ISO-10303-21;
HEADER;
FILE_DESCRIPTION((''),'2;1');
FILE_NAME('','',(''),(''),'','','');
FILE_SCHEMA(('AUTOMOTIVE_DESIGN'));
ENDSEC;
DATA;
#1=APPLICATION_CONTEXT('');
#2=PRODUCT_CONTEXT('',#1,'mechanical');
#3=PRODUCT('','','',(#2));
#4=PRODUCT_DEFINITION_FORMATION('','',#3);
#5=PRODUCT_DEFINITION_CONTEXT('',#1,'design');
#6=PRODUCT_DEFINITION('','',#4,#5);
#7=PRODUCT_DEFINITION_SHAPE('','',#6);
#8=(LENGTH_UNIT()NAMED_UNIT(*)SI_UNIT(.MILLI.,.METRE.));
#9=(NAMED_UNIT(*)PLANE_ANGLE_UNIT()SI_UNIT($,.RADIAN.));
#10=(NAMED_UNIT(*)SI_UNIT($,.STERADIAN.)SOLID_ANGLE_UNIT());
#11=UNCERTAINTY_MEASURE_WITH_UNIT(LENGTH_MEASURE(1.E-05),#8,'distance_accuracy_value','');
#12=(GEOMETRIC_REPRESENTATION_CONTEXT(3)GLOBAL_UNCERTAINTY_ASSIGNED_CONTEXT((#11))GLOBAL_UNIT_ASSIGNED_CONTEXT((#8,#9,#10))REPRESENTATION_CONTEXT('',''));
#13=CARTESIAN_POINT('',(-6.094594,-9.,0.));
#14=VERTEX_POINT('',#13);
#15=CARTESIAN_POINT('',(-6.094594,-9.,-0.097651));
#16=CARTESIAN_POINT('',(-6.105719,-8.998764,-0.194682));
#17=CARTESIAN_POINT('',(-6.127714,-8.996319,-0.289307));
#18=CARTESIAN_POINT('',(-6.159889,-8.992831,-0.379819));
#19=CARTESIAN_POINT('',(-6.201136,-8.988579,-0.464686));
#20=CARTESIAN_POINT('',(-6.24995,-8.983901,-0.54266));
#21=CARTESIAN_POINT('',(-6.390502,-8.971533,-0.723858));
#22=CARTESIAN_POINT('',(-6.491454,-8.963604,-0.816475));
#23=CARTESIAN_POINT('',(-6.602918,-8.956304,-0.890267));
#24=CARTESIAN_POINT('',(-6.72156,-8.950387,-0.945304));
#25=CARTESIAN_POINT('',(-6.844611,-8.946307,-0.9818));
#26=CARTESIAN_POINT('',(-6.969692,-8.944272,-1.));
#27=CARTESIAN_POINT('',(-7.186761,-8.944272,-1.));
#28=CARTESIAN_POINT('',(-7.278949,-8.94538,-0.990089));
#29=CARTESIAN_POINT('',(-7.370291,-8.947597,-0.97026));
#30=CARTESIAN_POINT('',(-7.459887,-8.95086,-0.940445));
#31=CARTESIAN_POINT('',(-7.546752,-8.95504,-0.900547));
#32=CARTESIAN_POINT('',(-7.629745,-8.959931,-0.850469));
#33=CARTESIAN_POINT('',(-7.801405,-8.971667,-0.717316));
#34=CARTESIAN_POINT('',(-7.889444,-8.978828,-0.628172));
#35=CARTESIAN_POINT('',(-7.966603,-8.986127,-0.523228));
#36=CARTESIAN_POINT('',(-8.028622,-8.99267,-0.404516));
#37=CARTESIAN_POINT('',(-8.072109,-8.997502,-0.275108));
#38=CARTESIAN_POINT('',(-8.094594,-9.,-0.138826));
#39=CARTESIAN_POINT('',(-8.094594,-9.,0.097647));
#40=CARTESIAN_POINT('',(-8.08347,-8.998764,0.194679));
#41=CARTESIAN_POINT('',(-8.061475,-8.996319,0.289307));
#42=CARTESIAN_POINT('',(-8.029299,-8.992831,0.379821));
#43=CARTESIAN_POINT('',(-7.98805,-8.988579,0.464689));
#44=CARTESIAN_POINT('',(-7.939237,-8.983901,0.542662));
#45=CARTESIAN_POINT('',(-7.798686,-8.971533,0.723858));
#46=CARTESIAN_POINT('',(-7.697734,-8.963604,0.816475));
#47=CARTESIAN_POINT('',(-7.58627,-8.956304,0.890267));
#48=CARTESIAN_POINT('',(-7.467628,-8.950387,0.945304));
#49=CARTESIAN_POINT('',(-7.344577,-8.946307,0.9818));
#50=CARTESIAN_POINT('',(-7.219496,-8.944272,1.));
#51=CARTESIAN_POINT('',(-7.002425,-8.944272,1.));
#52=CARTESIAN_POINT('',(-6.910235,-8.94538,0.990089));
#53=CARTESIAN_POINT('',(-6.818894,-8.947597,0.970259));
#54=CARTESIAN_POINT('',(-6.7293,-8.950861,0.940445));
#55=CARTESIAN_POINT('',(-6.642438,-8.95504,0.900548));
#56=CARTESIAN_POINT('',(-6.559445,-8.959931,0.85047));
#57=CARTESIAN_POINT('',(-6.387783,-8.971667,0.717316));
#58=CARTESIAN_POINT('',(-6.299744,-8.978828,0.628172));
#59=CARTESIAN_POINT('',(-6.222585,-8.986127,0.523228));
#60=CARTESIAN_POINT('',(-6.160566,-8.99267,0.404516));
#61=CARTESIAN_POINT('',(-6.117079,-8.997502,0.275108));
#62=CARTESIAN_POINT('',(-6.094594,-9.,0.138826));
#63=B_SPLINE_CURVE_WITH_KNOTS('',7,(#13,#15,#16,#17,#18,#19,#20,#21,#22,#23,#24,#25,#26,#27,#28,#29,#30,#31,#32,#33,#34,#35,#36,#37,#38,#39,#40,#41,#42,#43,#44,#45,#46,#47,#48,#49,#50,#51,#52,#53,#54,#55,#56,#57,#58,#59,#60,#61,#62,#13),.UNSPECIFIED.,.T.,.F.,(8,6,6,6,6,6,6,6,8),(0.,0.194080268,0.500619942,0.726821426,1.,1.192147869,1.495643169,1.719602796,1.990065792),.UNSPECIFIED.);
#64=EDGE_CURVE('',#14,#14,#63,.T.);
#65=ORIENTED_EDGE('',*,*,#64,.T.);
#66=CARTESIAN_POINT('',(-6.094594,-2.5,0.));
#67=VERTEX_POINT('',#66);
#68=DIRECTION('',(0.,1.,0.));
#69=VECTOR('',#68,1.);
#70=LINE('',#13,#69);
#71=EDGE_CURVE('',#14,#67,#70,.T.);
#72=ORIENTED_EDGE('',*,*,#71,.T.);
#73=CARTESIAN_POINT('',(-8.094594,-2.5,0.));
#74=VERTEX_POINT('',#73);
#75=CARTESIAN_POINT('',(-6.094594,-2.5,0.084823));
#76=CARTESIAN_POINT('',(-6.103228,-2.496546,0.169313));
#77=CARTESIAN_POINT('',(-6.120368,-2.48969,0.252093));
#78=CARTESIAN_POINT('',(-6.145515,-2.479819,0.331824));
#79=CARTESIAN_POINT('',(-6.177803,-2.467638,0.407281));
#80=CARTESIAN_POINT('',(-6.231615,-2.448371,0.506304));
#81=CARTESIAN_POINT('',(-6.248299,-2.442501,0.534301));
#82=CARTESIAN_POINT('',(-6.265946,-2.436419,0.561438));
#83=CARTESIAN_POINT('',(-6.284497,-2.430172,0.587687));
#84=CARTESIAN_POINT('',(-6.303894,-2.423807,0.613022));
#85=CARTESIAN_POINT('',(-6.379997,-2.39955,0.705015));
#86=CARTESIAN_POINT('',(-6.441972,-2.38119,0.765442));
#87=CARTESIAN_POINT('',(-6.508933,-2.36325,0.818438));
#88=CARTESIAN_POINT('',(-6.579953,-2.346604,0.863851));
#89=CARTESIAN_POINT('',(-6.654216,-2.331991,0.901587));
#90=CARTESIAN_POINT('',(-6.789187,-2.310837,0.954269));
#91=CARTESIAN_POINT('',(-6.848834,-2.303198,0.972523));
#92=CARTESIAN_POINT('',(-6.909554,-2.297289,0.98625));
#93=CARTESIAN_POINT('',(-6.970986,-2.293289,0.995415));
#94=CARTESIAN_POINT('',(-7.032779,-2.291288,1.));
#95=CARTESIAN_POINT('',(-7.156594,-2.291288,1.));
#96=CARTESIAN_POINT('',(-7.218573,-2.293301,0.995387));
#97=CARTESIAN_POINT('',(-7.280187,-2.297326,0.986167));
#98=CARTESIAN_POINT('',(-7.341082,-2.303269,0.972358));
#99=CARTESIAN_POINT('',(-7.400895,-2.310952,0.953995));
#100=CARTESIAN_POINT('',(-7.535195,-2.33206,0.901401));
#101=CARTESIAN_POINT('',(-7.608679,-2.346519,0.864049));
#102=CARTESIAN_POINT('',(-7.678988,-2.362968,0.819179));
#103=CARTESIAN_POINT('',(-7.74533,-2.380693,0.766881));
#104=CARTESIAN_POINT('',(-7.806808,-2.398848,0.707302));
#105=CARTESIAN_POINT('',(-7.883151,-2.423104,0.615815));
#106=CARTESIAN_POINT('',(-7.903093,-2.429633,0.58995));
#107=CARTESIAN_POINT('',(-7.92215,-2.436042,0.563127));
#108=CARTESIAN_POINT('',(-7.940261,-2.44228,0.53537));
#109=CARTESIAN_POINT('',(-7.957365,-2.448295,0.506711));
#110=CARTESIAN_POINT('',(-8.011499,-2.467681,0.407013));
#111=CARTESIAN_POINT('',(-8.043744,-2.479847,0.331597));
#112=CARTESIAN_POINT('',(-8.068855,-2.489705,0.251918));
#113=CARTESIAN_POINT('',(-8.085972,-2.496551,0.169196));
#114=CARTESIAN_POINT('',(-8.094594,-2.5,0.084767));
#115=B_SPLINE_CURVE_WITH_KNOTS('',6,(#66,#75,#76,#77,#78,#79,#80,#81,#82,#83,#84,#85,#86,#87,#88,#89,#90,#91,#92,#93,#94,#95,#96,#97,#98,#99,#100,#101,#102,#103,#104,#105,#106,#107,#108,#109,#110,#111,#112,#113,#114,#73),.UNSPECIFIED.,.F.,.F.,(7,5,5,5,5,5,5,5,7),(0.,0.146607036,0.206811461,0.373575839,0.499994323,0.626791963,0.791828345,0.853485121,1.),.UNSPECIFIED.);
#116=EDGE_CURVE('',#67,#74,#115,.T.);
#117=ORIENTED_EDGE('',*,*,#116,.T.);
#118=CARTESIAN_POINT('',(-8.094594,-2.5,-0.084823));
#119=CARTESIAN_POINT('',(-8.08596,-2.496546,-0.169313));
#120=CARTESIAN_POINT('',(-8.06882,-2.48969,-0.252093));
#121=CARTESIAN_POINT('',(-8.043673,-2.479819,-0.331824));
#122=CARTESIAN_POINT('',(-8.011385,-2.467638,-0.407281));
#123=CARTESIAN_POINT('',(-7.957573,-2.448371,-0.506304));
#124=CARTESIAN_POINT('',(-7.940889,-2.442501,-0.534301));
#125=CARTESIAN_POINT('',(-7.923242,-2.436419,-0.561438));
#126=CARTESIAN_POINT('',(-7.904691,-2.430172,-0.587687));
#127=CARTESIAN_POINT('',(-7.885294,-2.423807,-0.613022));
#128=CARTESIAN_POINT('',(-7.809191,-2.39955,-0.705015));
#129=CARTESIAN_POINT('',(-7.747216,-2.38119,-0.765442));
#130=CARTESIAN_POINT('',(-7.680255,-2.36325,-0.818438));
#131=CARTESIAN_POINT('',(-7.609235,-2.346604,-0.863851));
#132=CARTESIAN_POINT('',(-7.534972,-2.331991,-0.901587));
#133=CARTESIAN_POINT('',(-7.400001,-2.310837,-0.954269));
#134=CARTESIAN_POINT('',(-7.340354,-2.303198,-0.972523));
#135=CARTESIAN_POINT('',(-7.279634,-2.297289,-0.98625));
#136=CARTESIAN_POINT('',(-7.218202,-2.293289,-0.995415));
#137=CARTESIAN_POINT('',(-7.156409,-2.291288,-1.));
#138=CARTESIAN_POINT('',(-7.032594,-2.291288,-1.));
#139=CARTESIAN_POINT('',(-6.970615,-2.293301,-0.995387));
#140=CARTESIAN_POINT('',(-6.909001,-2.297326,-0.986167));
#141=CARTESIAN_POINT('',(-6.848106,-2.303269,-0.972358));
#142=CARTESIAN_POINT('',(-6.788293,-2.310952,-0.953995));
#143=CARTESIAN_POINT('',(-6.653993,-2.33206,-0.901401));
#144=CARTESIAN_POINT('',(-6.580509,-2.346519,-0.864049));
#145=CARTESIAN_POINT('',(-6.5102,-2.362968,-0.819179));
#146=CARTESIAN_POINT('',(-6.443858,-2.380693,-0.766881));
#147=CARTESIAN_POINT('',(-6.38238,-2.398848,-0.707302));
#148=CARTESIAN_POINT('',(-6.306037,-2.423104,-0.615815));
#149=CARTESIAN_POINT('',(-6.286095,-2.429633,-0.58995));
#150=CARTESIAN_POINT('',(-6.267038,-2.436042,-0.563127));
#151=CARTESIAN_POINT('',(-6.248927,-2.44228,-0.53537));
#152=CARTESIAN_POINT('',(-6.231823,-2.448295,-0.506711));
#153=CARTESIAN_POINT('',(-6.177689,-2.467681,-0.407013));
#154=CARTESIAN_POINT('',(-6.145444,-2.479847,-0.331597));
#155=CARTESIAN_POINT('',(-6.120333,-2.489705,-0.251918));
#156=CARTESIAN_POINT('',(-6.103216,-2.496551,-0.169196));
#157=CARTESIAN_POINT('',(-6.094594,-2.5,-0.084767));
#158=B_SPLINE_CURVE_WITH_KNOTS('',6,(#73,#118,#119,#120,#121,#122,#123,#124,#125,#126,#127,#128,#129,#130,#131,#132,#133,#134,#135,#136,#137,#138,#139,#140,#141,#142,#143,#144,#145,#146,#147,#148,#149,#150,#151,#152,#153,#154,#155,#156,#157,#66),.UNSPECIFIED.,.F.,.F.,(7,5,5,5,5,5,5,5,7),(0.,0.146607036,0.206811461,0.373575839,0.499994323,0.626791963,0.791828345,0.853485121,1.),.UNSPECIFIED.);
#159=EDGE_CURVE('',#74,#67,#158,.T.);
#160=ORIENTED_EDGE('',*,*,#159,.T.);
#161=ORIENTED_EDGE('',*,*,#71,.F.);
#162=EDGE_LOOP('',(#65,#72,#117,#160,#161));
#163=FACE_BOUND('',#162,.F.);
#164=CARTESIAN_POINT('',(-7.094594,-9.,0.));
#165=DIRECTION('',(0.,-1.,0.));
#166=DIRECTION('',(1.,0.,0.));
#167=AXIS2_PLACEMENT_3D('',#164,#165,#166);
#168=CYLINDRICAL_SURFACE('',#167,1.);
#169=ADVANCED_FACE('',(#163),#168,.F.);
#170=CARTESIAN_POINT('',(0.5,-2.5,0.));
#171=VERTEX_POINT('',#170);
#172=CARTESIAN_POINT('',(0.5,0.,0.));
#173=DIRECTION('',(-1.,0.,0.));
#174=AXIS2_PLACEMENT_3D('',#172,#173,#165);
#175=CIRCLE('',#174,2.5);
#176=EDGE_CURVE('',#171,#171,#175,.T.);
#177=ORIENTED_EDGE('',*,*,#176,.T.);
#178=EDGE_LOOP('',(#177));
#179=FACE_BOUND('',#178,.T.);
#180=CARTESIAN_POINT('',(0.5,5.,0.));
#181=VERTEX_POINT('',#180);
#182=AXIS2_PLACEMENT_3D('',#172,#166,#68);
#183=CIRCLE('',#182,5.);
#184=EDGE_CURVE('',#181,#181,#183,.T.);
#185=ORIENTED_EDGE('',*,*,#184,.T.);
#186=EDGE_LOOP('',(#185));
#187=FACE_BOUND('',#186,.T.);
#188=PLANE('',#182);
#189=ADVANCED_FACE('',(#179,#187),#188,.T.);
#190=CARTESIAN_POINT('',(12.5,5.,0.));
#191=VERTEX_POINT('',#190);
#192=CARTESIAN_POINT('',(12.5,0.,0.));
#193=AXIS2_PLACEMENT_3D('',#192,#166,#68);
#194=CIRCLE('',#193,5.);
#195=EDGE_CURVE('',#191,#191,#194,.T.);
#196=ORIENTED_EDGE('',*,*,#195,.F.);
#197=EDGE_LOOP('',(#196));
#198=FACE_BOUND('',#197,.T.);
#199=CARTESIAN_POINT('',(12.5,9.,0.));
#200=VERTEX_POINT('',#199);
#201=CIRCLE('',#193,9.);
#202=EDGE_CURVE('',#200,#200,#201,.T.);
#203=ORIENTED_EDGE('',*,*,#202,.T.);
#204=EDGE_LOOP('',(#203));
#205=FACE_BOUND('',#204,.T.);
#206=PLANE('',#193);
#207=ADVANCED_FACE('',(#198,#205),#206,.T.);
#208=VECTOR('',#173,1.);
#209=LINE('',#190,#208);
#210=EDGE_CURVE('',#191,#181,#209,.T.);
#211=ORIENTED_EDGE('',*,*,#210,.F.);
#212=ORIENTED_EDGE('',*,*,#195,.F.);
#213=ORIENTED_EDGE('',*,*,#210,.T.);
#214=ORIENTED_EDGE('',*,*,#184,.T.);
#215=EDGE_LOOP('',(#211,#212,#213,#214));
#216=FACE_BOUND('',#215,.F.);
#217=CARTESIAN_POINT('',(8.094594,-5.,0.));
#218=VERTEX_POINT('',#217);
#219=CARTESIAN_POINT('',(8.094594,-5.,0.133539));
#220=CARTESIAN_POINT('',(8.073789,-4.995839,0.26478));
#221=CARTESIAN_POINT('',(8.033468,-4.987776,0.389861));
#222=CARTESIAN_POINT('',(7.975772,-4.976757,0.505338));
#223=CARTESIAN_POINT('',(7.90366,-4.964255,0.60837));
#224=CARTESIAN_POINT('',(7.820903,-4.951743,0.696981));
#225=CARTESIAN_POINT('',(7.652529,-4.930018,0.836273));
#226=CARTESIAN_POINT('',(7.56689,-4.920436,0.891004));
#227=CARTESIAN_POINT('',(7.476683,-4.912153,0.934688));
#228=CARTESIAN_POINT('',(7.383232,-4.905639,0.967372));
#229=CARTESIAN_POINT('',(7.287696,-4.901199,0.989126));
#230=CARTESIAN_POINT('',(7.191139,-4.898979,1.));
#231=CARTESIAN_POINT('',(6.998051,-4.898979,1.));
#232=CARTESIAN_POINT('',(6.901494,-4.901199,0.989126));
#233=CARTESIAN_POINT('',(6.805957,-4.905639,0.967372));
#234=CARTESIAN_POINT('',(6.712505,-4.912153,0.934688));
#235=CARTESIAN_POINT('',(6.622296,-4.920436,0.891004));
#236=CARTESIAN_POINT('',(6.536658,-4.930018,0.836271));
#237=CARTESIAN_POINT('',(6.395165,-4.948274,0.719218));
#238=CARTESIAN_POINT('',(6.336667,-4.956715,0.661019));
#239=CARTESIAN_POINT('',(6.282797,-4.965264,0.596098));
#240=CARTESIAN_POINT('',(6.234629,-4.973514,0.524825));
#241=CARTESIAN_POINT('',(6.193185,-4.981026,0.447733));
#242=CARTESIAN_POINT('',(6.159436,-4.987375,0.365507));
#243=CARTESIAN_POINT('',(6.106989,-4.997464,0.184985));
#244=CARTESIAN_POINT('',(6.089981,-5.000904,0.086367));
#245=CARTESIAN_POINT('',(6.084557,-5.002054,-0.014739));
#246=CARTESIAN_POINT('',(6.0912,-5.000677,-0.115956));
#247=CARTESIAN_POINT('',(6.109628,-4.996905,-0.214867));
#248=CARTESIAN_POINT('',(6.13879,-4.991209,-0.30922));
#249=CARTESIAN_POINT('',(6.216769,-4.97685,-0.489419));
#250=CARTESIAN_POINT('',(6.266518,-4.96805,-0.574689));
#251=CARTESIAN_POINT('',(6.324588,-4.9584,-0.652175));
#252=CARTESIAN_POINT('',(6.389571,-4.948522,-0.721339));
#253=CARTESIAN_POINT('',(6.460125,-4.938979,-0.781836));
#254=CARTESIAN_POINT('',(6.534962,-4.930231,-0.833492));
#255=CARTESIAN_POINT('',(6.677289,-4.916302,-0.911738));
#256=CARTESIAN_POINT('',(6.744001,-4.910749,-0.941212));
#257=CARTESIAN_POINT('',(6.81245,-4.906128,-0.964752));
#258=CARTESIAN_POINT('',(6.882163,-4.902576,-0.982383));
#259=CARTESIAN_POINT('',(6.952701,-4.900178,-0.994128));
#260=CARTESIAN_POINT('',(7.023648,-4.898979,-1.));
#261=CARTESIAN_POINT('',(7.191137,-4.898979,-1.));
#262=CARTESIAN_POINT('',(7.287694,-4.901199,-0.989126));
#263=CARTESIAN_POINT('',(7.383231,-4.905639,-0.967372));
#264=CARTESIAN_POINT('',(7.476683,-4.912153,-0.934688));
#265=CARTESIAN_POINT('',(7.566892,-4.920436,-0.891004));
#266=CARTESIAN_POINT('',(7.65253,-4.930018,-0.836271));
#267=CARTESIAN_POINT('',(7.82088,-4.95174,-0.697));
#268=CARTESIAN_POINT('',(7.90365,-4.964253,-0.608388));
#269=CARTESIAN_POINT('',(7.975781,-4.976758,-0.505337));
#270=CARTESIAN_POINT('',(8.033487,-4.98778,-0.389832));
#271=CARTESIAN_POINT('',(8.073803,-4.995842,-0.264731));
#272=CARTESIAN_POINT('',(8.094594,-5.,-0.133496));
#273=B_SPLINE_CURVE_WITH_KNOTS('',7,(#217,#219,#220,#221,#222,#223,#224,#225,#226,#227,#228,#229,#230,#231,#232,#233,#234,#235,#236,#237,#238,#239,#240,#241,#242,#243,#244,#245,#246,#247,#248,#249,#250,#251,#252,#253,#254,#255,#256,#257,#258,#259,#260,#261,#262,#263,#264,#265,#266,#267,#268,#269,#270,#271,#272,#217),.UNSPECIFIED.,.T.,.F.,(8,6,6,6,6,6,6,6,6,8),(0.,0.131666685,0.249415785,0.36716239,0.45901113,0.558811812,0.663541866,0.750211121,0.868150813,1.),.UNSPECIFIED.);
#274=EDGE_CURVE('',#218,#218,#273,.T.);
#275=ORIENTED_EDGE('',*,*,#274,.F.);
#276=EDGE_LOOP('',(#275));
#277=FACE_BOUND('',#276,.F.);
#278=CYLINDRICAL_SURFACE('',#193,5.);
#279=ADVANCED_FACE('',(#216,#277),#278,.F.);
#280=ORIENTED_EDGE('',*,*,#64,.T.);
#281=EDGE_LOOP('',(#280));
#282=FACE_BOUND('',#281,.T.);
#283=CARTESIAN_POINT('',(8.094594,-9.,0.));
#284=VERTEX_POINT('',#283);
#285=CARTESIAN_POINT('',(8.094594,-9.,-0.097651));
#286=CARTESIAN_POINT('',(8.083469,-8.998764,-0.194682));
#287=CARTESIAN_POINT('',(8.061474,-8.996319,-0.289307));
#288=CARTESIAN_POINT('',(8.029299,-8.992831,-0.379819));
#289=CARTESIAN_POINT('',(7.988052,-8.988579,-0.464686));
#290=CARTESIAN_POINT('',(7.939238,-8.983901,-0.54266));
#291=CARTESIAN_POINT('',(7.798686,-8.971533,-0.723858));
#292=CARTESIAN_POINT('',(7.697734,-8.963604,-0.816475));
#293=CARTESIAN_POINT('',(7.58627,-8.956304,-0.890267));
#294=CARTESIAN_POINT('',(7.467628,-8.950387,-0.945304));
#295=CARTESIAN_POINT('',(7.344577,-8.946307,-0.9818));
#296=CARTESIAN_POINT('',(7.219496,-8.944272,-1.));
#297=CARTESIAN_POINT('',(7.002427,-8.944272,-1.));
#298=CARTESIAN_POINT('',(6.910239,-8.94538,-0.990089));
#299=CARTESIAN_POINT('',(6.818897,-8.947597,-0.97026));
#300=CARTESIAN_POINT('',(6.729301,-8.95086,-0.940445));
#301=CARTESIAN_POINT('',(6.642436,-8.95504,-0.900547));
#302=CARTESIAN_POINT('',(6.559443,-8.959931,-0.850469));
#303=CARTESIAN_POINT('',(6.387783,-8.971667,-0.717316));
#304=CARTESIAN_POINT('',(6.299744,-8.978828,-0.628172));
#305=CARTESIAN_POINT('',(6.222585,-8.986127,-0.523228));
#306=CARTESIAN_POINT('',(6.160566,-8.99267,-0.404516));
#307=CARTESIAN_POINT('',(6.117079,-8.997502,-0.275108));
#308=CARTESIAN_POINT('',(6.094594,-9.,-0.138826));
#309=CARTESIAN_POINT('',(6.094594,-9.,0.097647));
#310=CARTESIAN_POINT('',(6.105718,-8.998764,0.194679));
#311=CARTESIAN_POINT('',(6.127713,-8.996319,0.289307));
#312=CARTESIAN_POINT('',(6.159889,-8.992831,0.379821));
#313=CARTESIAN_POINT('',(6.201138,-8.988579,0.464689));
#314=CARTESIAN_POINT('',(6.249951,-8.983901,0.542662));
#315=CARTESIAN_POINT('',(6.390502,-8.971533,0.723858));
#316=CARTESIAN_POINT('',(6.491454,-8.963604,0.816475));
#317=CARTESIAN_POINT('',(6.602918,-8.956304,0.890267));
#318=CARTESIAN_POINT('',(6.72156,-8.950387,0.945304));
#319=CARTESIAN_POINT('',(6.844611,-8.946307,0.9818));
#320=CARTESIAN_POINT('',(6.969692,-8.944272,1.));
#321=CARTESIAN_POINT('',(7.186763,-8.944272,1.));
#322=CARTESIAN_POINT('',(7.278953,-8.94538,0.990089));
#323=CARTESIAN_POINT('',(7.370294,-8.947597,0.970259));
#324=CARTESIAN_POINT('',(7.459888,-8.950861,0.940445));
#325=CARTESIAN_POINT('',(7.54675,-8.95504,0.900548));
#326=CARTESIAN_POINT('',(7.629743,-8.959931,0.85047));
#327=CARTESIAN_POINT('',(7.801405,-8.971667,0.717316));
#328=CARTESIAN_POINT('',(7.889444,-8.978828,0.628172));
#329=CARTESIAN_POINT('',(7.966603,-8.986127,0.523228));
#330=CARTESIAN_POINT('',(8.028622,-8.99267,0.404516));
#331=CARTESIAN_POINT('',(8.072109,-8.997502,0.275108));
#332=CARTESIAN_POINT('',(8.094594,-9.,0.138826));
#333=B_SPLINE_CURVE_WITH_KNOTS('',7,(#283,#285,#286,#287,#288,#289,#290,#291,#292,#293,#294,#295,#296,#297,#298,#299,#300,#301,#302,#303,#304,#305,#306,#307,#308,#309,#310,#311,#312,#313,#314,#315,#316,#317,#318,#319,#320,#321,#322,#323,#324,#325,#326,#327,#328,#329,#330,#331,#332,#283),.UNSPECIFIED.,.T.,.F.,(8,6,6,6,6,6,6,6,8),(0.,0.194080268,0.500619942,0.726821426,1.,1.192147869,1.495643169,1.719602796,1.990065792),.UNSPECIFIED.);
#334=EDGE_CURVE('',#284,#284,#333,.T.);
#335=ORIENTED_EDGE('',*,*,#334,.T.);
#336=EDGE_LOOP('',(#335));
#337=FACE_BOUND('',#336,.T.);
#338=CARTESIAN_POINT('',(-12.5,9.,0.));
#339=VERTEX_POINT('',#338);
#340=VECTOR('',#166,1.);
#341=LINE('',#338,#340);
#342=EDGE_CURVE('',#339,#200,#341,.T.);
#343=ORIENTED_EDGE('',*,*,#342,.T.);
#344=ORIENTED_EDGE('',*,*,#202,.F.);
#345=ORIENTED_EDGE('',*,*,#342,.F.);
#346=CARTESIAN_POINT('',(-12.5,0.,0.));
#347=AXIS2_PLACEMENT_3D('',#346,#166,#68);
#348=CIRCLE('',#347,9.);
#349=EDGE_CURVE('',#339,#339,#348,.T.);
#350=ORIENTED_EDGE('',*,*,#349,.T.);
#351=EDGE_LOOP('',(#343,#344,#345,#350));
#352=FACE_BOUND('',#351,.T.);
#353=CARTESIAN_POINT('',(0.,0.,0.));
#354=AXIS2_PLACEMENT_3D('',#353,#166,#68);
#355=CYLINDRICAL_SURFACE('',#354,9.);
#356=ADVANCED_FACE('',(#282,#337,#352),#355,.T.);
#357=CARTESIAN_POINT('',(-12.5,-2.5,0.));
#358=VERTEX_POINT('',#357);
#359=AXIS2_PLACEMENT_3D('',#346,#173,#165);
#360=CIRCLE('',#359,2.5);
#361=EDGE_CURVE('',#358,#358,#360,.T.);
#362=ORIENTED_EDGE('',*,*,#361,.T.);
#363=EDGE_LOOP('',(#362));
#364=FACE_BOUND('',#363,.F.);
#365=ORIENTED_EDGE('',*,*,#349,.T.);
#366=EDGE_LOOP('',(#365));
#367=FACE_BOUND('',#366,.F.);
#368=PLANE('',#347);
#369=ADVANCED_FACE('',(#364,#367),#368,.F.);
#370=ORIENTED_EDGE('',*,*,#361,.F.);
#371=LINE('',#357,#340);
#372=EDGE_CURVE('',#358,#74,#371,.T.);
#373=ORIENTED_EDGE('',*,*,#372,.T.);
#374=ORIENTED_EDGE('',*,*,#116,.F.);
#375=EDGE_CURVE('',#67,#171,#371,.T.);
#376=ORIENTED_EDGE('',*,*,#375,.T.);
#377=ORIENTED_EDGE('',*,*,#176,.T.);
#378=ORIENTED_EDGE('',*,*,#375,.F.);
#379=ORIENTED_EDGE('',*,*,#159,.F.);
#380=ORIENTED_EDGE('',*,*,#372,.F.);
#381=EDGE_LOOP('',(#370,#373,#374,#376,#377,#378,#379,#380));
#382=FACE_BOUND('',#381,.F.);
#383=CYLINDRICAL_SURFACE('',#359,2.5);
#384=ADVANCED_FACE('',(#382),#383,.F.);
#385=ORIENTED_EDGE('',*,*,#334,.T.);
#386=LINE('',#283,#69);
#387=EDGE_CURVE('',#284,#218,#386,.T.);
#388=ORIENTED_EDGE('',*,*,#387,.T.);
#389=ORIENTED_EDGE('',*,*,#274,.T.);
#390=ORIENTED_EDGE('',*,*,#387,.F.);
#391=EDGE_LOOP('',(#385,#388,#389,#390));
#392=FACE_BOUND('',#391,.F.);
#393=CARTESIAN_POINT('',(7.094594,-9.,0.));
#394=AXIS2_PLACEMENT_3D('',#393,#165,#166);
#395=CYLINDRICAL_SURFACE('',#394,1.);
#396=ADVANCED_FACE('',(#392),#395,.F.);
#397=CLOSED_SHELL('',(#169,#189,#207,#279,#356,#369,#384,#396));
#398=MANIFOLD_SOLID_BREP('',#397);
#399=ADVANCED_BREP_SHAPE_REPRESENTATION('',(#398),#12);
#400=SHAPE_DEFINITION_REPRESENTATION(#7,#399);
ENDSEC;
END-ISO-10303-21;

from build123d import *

# Parameters (mm, degrees)
F0_R     = 9
F1_DEPTH = 12.5
F2_R     = 5
F3_DEPTH = 12
F4_R     = 2.5
F5_DEPTH = 13
F7_R     = 1
F8_DEPTH = 9


with BuildPart() as f1:
    # F0 (on Right) → F1 (new body, symmetric)
    with BuildSketch(Plane.YZ):
        Circle(F0_R)
    extrude(amount=F1_DEPTH, both=True)

    # F2 (on face) → F3 (cut)
    with BuildSketch(Plane.YZ.offset(12.5)):
        Circle(F2_R)
    extrude(amount=-F3_DEPTH, mode=Mode.SUBTRACT)

    # F4 (on face) → F5 (cut)
    with BuildSketch(Plane(origin=(-12.5, 0, 0), x_dir=(0, -1, 0), z_dir=(-1, 0, 0))):
        Circle(F4_R)
    extrude(amount=-F5_DEPTH, mode=Mode.SUBTRACT)

    # F7 (on offset) → F8 (cut)
    with BuildSketch(Plane.XZ.offset(9)):
        with Locations((7.094594, 0)):
            Circle(F7_R)
        with Locations((-7.094594, 0)):
            Circle(F7_R)
    extrude(amount=-F8_DEPTH, mode=Mode.SUBTRACT)


solid = f1.part
